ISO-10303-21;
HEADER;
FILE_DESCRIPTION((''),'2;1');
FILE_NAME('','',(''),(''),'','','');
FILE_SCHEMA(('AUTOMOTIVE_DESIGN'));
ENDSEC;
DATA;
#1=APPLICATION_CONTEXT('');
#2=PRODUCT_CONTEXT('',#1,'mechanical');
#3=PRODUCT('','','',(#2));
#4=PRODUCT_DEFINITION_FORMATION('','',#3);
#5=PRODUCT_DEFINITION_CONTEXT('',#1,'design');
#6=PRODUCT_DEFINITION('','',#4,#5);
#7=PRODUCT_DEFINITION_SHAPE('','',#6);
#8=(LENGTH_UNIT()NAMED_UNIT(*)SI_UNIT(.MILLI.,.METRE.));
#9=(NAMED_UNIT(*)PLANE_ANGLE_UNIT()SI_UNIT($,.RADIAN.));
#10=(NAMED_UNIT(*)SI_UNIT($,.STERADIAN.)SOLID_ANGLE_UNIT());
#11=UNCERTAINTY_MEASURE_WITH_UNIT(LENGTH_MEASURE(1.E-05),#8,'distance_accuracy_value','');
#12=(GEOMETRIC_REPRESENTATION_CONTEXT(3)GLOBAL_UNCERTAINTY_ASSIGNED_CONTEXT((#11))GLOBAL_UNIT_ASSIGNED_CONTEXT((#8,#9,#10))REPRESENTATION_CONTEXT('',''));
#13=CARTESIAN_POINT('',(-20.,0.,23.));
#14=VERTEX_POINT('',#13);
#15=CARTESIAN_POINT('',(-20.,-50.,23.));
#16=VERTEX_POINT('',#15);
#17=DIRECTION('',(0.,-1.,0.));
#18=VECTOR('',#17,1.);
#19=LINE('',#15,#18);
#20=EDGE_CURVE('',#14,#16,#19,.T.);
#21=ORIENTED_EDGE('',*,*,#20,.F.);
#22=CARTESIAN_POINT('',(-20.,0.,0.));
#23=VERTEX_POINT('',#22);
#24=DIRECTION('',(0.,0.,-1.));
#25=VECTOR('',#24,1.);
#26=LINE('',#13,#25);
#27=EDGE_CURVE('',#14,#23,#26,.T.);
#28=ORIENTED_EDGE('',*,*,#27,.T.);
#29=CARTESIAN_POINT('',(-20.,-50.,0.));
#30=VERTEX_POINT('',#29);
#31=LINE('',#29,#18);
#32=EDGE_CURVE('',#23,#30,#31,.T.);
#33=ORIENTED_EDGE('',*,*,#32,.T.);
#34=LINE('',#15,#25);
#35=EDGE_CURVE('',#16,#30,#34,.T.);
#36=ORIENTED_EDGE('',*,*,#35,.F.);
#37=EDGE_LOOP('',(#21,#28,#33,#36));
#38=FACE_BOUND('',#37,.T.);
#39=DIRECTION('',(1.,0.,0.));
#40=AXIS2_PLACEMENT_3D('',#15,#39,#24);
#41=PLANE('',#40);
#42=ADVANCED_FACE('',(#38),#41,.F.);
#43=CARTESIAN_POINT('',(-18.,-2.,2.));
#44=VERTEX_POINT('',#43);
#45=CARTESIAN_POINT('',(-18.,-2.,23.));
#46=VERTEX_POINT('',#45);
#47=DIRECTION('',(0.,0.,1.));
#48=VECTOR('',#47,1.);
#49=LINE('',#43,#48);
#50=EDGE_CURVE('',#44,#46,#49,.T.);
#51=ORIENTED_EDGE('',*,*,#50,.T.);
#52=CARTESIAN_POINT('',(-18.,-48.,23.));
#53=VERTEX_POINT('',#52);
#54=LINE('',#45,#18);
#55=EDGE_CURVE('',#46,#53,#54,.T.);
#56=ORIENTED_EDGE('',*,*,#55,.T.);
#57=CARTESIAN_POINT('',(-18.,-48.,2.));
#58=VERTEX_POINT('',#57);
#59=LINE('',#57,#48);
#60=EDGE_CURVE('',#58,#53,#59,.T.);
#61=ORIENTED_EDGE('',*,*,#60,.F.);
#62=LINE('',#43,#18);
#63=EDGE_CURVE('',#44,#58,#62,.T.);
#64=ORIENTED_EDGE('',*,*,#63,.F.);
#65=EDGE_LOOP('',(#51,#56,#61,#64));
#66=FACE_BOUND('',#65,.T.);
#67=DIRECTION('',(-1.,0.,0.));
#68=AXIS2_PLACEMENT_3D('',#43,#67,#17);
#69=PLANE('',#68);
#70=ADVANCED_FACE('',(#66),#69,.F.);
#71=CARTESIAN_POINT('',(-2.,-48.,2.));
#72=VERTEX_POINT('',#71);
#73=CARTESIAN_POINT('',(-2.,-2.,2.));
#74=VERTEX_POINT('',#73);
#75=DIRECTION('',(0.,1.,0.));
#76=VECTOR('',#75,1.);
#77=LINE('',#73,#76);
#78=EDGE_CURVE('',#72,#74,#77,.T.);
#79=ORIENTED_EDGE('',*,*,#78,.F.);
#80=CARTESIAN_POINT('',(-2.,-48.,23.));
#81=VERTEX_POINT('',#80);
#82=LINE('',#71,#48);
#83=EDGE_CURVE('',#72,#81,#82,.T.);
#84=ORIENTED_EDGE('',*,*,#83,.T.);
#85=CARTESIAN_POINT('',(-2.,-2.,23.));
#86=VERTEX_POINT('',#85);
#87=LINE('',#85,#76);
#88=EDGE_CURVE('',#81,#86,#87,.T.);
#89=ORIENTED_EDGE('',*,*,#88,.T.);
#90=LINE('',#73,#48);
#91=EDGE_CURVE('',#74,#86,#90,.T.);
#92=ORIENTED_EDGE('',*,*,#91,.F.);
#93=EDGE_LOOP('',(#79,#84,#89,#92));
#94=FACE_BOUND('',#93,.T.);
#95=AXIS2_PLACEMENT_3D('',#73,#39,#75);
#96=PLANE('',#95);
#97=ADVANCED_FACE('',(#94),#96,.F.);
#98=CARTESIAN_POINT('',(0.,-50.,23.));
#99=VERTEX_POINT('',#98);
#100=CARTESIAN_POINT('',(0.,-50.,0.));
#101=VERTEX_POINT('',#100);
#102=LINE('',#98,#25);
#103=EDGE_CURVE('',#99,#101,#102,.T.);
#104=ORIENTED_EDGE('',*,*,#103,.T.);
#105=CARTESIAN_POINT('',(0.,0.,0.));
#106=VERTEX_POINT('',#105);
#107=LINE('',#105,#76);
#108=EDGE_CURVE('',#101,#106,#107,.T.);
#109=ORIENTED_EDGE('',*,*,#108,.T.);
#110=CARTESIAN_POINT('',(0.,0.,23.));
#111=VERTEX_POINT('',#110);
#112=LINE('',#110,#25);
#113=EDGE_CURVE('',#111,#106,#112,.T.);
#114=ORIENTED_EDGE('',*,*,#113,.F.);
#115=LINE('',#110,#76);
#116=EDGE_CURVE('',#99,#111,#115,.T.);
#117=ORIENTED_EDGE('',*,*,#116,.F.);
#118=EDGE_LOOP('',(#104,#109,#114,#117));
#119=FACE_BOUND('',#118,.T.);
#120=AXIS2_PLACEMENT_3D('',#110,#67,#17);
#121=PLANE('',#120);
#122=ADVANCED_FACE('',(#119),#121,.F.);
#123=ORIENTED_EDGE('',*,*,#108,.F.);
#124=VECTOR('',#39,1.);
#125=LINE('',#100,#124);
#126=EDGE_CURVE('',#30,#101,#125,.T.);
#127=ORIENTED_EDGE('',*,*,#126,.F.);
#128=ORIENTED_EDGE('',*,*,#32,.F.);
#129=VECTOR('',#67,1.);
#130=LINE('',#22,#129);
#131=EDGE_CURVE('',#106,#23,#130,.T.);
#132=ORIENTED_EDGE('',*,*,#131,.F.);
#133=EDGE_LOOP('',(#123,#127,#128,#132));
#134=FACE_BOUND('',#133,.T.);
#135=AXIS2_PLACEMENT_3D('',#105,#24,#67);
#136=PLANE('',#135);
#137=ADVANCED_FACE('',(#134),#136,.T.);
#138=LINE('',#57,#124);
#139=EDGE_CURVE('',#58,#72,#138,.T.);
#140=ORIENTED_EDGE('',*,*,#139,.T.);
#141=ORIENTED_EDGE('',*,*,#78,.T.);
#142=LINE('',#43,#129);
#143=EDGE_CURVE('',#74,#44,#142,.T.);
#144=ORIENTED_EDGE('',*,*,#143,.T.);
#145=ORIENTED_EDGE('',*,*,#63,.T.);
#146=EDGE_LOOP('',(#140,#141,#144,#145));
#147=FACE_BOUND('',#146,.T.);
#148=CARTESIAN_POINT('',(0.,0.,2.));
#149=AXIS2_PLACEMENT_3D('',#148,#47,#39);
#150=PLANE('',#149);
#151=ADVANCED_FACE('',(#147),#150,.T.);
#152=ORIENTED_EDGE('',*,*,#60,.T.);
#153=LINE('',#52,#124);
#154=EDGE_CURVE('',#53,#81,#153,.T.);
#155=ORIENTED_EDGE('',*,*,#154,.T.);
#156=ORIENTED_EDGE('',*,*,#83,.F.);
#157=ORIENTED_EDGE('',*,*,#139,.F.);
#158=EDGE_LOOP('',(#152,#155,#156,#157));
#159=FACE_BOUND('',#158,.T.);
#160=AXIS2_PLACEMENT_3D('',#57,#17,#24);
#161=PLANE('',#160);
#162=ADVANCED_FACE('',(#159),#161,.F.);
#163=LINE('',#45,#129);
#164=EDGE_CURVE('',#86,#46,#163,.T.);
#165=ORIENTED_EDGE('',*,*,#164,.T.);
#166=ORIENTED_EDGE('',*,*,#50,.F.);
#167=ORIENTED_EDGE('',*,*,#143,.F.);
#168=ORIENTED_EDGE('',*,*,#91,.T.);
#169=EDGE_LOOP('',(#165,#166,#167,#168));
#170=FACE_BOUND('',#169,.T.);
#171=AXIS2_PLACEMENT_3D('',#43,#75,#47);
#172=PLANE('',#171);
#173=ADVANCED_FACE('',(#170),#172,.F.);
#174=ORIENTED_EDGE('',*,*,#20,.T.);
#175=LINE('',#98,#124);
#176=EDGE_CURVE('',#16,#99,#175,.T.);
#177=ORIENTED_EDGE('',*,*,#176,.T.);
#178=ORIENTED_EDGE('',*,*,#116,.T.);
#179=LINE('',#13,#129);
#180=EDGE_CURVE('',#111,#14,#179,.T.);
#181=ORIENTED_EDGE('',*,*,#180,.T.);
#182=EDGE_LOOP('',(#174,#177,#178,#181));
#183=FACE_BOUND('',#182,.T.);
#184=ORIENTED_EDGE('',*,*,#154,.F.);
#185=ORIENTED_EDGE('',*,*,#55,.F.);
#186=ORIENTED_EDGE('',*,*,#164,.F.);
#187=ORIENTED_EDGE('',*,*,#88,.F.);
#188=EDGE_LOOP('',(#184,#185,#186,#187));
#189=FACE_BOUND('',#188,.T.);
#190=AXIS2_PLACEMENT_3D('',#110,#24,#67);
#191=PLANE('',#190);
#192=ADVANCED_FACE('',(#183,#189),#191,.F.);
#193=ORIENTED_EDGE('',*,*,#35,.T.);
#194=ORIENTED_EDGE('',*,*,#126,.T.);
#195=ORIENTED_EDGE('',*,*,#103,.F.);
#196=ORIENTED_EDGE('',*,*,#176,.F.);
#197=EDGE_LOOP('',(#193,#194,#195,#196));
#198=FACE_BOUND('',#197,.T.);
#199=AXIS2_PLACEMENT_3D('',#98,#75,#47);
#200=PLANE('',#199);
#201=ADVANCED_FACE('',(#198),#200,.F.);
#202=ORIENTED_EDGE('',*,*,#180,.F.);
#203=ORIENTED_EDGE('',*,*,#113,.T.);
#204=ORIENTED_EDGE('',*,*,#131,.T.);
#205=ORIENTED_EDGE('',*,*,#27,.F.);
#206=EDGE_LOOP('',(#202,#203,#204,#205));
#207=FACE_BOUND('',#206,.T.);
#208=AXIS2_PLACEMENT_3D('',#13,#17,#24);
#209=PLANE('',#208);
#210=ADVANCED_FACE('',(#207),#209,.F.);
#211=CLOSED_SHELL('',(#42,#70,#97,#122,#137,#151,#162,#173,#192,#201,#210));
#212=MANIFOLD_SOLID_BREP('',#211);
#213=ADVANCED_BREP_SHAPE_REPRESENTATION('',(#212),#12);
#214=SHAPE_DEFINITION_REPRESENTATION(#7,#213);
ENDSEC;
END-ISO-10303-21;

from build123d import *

# Parameters (mm, degrees)
SKETCH2_W           = 20
SKETCH2_H           = 50
BOSS_EXTRUDE1_DEPTH = 23
SKETCH3_W           = 16
SKETCH3_H           = 46
CUT_EXTRUDE1_DEPTH  = 21


with BuildPart() as part:
    # Sketch2 → Boss-Extrude1 (new body)
    with BuildSketch(Plane.XY):
        with Locations((-10, -25)):
            Rectangle(SKETCH2_W, SKETCH2_H)
    extrude(amount=BOSS_EXTRUDE1_DEPTH)

    # Sketch3 → Cut-Extrude1 (cut)
    with BuildSketch(Plane.XY.offset(23)):
        with Locations((-10, -25)):
            Rectangle(SKETCH3_W, SKETCH3_H)
    extrude(amount=-CUT_EXTRUDE1_DEPTH, mode=Mode.SUBTRACT)


solid = part.part
